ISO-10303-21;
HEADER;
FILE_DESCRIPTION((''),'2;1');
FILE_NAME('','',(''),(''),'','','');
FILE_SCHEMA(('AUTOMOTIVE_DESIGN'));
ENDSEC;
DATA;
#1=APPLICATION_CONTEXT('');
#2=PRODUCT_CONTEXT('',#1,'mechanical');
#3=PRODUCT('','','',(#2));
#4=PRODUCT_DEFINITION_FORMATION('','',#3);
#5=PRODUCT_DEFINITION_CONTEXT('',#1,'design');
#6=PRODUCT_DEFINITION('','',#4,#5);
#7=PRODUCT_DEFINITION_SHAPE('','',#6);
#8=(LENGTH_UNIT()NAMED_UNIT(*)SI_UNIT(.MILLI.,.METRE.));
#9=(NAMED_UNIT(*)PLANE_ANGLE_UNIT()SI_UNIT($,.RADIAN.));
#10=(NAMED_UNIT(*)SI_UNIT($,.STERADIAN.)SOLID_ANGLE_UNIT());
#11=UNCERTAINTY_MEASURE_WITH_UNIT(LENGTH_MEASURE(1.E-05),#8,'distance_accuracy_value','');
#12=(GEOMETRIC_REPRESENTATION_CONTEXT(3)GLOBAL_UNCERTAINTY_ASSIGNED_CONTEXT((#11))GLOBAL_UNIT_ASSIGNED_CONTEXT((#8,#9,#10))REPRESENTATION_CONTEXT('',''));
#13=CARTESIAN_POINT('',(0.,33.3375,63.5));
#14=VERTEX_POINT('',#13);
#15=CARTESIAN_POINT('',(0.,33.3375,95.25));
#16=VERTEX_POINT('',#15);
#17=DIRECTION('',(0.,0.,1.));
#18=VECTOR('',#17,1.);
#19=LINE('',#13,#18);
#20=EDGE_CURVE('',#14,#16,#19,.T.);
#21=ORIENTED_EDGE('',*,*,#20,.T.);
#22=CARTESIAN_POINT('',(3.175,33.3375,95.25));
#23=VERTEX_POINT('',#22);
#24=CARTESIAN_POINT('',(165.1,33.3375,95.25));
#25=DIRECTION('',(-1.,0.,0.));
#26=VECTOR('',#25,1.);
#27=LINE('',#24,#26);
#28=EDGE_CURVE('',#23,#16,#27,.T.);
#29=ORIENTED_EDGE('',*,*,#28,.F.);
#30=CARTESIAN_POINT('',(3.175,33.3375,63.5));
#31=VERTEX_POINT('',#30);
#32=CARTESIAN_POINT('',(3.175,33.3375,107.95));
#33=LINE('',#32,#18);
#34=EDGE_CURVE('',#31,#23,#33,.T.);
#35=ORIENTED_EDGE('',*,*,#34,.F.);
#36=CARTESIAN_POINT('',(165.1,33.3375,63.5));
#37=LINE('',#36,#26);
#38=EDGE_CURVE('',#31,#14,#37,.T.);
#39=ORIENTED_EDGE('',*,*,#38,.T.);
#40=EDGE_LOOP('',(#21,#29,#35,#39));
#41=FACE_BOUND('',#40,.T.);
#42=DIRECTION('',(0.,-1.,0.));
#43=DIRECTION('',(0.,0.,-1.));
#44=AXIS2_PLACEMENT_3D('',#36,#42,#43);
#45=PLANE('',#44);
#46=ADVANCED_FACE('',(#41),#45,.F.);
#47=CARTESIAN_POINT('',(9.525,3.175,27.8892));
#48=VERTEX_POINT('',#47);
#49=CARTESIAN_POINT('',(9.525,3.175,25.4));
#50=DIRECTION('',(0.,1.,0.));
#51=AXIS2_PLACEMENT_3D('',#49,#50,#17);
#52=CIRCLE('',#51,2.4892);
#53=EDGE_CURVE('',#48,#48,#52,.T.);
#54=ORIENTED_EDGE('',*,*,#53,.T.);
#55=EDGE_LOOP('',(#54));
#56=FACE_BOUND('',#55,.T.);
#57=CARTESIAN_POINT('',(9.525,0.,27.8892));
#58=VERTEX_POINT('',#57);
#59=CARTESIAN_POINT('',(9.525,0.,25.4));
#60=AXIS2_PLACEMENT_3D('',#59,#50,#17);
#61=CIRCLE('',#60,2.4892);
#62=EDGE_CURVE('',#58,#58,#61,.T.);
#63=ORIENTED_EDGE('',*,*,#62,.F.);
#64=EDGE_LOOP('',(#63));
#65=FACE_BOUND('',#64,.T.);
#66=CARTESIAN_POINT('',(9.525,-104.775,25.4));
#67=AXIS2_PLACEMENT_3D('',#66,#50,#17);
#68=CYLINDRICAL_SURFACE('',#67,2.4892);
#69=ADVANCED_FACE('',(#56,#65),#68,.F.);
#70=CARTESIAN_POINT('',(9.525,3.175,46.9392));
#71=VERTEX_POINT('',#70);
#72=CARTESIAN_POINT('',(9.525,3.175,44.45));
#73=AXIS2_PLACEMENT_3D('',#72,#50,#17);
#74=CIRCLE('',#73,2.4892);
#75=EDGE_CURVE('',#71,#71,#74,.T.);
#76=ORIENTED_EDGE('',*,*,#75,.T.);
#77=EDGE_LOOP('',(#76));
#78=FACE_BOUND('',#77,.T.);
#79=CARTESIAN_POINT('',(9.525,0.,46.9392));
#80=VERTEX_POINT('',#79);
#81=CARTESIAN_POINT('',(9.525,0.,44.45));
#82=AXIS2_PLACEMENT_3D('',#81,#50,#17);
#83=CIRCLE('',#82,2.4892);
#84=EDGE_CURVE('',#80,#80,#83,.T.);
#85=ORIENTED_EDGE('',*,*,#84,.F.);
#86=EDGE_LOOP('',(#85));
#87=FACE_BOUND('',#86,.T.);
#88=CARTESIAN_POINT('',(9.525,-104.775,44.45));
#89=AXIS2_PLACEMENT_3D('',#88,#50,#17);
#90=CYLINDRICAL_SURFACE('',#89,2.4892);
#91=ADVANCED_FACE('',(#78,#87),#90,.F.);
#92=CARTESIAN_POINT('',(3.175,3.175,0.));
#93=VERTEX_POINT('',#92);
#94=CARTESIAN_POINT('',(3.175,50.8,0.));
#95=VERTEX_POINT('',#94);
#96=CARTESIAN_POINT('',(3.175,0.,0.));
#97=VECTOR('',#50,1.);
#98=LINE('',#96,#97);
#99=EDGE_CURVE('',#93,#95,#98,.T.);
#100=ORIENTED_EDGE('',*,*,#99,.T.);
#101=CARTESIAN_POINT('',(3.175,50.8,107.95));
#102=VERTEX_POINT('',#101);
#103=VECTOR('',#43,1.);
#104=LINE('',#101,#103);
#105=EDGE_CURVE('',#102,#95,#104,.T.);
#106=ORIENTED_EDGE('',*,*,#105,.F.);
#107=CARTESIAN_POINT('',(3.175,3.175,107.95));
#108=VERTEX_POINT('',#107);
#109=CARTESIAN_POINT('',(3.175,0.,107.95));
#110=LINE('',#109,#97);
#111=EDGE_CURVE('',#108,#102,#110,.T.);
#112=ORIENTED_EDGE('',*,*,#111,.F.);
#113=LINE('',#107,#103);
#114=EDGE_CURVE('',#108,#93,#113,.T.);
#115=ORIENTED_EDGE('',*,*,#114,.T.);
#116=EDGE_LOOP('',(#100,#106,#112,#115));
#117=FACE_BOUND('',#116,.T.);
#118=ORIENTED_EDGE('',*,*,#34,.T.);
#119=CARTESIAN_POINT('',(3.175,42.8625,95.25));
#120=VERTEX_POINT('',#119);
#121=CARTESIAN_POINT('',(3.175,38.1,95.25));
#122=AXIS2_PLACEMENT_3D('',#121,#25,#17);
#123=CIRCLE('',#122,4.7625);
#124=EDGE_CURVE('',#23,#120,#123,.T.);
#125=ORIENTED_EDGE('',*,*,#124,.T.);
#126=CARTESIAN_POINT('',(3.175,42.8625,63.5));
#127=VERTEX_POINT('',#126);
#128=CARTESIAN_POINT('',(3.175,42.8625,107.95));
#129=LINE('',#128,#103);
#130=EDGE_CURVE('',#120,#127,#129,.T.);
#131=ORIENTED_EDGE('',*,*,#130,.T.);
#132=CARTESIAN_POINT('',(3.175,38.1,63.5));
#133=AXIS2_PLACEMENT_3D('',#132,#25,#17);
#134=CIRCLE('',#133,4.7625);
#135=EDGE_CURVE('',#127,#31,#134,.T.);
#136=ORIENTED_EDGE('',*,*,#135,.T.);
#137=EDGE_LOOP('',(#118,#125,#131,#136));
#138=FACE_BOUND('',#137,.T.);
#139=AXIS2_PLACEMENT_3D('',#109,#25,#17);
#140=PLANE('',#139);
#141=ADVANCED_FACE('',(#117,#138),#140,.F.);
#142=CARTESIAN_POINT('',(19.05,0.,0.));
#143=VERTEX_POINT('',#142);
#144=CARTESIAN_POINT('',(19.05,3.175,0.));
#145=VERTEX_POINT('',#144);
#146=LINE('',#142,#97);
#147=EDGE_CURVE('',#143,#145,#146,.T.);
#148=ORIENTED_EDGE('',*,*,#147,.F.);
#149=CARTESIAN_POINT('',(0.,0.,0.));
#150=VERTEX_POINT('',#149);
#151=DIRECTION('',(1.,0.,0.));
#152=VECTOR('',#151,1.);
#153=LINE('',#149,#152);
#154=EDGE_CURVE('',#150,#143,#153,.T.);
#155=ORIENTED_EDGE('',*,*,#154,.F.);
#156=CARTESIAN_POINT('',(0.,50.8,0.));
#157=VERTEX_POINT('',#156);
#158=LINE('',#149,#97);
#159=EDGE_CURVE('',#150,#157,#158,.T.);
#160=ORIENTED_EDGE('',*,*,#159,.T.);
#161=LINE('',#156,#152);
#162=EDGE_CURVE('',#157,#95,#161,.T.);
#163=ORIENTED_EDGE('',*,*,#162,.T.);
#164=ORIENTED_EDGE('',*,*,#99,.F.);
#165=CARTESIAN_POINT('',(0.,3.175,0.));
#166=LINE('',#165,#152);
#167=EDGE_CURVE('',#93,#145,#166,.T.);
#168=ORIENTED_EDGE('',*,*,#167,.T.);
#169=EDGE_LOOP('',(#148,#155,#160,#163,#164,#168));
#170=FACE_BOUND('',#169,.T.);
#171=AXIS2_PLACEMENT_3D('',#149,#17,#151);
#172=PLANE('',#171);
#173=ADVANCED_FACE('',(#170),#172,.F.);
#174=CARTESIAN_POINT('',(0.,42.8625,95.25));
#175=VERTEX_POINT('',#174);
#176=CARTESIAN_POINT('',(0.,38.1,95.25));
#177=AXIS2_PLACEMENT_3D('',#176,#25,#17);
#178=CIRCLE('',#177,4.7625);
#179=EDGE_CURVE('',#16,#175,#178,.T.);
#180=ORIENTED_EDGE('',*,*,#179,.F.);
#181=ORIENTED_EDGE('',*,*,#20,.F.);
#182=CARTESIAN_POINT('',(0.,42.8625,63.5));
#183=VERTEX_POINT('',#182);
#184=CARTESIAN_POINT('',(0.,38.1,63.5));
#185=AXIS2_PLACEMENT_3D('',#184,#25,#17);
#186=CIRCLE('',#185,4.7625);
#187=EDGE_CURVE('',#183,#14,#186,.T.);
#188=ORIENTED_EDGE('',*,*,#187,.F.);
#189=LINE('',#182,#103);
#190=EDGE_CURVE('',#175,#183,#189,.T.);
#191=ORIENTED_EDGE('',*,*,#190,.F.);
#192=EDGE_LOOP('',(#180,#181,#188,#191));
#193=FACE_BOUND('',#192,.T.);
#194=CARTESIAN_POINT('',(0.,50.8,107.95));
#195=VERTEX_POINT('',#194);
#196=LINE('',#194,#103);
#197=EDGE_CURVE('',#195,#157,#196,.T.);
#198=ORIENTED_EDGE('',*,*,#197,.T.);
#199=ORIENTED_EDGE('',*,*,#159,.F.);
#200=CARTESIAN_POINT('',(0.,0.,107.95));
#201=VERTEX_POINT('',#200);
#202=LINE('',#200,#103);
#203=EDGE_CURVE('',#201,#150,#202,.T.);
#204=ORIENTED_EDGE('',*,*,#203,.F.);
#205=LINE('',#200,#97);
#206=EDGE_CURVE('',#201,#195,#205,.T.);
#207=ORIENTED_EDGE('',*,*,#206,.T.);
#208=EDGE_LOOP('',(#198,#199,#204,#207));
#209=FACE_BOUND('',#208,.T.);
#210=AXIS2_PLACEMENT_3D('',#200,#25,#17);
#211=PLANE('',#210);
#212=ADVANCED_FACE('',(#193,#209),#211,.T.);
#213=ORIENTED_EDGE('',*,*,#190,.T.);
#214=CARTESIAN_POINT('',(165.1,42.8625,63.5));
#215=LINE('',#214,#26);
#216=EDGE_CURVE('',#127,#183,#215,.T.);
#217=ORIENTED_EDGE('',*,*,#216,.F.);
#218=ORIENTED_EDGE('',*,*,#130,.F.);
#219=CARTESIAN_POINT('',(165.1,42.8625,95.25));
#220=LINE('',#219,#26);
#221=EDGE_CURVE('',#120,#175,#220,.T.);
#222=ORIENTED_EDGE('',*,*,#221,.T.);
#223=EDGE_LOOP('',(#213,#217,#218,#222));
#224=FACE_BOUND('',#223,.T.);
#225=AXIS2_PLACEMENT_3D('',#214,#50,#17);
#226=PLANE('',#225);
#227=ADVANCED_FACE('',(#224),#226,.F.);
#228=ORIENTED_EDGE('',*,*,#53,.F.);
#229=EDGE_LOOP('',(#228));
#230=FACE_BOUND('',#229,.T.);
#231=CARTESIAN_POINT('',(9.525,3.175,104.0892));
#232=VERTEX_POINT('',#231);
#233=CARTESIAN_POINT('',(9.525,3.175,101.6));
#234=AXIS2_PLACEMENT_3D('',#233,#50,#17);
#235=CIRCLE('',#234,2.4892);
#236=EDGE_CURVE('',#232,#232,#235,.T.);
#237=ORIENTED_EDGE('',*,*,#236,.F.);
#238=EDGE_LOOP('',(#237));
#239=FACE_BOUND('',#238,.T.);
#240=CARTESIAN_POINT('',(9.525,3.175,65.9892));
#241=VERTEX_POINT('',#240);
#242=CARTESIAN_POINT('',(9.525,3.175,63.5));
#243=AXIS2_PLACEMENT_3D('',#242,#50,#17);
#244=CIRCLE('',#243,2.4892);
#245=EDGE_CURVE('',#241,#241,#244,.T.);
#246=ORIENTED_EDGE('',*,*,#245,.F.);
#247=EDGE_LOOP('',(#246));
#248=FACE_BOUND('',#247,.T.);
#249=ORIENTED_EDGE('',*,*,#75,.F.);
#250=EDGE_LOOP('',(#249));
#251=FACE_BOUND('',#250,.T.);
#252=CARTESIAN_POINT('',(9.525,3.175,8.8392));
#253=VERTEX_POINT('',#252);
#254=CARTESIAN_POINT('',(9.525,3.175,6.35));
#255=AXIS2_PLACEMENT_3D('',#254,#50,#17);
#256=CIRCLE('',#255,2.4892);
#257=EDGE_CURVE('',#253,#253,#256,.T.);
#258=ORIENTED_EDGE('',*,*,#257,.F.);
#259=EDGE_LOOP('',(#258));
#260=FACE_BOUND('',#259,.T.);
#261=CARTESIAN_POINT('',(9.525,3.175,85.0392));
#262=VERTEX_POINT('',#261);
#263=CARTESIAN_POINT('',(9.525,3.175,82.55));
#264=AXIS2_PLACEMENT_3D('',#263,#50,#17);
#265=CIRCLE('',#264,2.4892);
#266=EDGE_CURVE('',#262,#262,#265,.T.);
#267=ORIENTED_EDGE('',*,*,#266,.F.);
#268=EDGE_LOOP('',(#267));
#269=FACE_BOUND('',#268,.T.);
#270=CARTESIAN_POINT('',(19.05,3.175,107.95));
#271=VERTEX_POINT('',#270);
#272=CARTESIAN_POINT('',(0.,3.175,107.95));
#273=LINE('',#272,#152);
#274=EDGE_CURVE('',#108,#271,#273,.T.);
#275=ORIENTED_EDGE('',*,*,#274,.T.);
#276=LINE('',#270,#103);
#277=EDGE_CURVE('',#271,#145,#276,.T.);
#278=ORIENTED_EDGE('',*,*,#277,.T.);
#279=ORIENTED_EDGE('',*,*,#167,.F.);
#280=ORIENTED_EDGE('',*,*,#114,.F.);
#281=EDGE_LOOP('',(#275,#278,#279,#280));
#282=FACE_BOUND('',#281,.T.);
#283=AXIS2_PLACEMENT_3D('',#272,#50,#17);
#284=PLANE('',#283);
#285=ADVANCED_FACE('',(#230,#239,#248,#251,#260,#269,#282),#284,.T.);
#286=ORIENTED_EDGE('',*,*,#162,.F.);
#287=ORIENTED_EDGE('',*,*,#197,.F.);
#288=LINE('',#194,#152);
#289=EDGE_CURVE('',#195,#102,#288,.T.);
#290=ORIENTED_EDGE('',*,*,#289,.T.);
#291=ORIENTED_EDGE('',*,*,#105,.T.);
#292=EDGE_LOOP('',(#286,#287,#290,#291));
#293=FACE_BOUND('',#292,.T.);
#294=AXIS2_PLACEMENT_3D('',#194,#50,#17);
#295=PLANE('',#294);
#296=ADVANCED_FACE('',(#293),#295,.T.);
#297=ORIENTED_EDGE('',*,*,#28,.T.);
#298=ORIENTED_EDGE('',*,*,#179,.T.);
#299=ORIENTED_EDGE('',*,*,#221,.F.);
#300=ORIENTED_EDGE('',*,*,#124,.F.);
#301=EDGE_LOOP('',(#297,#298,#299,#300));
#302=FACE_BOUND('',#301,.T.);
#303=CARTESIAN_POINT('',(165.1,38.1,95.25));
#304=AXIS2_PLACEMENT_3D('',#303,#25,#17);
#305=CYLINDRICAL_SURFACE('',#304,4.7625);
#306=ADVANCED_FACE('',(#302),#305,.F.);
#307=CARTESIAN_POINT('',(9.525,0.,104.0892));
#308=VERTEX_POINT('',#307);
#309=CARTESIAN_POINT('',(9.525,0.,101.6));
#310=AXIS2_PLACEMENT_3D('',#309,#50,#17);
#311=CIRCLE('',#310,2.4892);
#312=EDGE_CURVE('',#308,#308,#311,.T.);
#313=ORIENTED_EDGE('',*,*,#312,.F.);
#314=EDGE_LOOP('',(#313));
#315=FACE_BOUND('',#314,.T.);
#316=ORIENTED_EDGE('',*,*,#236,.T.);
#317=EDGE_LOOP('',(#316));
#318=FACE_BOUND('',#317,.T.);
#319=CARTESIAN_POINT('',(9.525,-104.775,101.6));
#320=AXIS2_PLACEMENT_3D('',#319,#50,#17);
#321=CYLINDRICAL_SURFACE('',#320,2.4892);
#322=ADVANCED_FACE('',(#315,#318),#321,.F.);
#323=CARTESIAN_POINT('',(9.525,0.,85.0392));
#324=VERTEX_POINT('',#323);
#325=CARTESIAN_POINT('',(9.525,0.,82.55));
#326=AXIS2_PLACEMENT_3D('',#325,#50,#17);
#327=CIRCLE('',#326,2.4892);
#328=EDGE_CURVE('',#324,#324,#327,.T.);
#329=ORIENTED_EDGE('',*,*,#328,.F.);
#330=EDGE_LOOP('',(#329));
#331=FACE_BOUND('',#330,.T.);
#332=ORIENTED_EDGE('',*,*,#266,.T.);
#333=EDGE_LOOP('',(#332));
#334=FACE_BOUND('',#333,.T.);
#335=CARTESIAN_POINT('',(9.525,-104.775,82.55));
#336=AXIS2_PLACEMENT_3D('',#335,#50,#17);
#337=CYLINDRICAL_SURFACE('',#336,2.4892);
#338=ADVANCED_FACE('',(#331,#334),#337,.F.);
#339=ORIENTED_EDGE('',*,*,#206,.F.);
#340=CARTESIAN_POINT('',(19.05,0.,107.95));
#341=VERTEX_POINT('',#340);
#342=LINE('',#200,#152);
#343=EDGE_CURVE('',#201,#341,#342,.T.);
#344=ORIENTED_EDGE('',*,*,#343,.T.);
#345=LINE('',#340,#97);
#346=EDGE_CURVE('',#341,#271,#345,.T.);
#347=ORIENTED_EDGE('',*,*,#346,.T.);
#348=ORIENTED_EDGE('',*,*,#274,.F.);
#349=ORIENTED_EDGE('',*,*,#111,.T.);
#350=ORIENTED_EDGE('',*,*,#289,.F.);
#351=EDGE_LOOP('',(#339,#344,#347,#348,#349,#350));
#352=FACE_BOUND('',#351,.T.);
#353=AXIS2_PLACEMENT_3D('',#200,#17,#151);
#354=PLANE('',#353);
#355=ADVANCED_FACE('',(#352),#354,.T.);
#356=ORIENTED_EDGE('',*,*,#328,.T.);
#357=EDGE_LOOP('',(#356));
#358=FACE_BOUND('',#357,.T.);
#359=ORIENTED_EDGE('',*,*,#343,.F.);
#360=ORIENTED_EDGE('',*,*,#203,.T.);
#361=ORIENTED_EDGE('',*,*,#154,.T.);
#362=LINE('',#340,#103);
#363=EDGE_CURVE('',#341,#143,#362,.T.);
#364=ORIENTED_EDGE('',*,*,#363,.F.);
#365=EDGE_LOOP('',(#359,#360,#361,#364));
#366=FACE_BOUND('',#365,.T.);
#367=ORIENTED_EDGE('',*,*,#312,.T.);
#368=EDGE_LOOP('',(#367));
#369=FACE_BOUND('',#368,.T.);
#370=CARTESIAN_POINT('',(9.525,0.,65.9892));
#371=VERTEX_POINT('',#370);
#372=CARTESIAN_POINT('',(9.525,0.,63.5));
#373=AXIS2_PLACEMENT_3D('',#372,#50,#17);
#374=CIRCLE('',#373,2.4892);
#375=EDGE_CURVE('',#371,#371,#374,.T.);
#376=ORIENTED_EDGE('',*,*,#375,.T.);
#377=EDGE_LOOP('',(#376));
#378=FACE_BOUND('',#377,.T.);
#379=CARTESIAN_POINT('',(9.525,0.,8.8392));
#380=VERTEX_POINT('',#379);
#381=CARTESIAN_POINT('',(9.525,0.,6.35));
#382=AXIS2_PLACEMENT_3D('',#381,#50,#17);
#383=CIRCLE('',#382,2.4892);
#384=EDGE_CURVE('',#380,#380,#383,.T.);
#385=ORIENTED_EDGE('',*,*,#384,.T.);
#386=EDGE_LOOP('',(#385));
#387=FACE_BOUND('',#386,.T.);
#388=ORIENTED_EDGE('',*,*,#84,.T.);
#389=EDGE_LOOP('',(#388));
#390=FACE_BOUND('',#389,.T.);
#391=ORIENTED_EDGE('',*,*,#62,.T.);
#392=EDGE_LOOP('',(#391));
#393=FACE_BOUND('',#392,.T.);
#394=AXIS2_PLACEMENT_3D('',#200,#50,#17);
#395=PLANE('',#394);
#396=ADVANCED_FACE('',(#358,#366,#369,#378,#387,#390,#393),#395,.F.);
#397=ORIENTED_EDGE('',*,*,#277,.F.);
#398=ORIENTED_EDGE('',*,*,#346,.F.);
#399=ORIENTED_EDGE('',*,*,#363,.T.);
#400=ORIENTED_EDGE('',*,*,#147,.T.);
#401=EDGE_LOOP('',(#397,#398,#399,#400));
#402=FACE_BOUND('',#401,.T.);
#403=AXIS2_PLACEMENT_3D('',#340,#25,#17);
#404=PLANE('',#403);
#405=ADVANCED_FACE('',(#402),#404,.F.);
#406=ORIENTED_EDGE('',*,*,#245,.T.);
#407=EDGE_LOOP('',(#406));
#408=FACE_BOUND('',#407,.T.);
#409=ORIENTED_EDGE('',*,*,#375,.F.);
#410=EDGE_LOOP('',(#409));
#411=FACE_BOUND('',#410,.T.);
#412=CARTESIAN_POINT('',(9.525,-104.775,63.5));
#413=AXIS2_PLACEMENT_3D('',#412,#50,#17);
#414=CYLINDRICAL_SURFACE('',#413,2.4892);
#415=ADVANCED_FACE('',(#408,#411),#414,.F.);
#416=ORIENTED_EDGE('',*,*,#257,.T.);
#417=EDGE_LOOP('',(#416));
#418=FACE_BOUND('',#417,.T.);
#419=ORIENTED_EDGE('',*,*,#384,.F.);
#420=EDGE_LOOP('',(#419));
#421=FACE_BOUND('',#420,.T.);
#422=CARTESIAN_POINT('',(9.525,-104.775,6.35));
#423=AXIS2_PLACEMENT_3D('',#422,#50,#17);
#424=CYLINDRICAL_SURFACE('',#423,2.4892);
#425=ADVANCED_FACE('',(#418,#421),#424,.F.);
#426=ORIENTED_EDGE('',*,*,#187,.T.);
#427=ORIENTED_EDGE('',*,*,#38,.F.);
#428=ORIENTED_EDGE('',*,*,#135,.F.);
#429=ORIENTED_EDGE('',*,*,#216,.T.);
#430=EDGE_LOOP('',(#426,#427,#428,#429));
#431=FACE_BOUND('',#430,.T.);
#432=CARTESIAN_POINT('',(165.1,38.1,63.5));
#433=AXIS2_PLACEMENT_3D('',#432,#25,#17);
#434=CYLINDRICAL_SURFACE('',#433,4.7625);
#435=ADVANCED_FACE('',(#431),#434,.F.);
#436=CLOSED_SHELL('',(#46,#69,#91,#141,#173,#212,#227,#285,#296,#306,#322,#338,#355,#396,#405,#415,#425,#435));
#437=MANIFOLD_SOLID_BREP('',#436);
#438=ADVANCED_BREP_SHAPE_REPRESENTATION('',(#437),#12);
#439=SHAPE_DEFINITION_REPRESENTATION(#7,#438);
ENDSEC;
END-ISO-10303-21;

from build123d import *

# Parameters (mm, degrees)
SKETCH1_W           = 3.175
SKETCH1_H           = 47.625
SKETCH1_H_2         = 3.175
SKETCH1_W_2         = 15.875
BOSS_EXTRUDE1_DEPTH = 107.95
SKETCH2_R           = 2.4892
CUT_EXTRUDE1_DEPTH  = 107.95
CUT_EXTRUDE2_DEPTH  = 165.1


with BuildPart() as part:
    # Sketch1 → Boss-Extrude1 (new body)
    with BuildSketch(Plane.XY):
        with Locations((1.5875, 26.9875)):
            Rectangle(SKETCH1_W, SKETCH1_H)
        with Locations((1.5875, 1.5875)):
            Rectangle(SKETCH1_W, SKETCH1_H_2)
        with Locations((11.1125, 1.5875)):
            Rectangle(SKETCH1_W_2, SKETCH1_H_2)
    extrude(amount=BOSS_EXTRUDE1_DEPTH)

    # Sketch2 → Cut-Extrude1 (cut)
    with BuildSketch(Plane(origin=(0, 3.175, 0), x_dir=(1, 0, 0), z_dir=(0, 1, 0))):
        with Locations(Location((9.525, -6.35, 0), (0, 0, 270))):
            Circle(SKETCH2_R)
        with Locations(Location((9.525, -25.4, 0), (0, 0, 270))):
            Circle(SKETCH2_R)
        with Locations(Location((9.525, -44.45, 0), (0, 0, 270))):
            Circle(SKETCH2_R)
        with Locations(Location((9.525, -63.5, 0), (0, 0, 270))):
            Circle(SKETCH2_R)
        with Locations(Location((9.525, -82.55, 0), (0, 0, 270))):
            Circle(SKETCH2_R)
        with Locations(Location((9.525, -101.6, 0), (0, 0, 270))):
            Circle(SKETCH2_R)
    extrude(amount=-CUT_EXTRUDE1_DEPTH, mode=Mode.SUBTRACT)

    # Sketch3 → Cut-Extrude2 (cut)
    with BuildSketch(Plane.ZY):
        with BuildLine():
            Line((63.5, 42.8625), (95.25, 42.8625))
            ThreePointArc((95.25, 42.8625), (100.0125, 38.1), (95.25, 33.3375))
            Line((95.25, 33.3375), (63.5, 33.3375))
            ThreePointArc((63.5, 33.3375), (58.7375, 38.1), (63.5, 42.8625))
        make_face()
    extrude(amount=-CUT_EXTRUDE2_DEPTH, mode=Mode.SUBTRACT)


solid = part.part
